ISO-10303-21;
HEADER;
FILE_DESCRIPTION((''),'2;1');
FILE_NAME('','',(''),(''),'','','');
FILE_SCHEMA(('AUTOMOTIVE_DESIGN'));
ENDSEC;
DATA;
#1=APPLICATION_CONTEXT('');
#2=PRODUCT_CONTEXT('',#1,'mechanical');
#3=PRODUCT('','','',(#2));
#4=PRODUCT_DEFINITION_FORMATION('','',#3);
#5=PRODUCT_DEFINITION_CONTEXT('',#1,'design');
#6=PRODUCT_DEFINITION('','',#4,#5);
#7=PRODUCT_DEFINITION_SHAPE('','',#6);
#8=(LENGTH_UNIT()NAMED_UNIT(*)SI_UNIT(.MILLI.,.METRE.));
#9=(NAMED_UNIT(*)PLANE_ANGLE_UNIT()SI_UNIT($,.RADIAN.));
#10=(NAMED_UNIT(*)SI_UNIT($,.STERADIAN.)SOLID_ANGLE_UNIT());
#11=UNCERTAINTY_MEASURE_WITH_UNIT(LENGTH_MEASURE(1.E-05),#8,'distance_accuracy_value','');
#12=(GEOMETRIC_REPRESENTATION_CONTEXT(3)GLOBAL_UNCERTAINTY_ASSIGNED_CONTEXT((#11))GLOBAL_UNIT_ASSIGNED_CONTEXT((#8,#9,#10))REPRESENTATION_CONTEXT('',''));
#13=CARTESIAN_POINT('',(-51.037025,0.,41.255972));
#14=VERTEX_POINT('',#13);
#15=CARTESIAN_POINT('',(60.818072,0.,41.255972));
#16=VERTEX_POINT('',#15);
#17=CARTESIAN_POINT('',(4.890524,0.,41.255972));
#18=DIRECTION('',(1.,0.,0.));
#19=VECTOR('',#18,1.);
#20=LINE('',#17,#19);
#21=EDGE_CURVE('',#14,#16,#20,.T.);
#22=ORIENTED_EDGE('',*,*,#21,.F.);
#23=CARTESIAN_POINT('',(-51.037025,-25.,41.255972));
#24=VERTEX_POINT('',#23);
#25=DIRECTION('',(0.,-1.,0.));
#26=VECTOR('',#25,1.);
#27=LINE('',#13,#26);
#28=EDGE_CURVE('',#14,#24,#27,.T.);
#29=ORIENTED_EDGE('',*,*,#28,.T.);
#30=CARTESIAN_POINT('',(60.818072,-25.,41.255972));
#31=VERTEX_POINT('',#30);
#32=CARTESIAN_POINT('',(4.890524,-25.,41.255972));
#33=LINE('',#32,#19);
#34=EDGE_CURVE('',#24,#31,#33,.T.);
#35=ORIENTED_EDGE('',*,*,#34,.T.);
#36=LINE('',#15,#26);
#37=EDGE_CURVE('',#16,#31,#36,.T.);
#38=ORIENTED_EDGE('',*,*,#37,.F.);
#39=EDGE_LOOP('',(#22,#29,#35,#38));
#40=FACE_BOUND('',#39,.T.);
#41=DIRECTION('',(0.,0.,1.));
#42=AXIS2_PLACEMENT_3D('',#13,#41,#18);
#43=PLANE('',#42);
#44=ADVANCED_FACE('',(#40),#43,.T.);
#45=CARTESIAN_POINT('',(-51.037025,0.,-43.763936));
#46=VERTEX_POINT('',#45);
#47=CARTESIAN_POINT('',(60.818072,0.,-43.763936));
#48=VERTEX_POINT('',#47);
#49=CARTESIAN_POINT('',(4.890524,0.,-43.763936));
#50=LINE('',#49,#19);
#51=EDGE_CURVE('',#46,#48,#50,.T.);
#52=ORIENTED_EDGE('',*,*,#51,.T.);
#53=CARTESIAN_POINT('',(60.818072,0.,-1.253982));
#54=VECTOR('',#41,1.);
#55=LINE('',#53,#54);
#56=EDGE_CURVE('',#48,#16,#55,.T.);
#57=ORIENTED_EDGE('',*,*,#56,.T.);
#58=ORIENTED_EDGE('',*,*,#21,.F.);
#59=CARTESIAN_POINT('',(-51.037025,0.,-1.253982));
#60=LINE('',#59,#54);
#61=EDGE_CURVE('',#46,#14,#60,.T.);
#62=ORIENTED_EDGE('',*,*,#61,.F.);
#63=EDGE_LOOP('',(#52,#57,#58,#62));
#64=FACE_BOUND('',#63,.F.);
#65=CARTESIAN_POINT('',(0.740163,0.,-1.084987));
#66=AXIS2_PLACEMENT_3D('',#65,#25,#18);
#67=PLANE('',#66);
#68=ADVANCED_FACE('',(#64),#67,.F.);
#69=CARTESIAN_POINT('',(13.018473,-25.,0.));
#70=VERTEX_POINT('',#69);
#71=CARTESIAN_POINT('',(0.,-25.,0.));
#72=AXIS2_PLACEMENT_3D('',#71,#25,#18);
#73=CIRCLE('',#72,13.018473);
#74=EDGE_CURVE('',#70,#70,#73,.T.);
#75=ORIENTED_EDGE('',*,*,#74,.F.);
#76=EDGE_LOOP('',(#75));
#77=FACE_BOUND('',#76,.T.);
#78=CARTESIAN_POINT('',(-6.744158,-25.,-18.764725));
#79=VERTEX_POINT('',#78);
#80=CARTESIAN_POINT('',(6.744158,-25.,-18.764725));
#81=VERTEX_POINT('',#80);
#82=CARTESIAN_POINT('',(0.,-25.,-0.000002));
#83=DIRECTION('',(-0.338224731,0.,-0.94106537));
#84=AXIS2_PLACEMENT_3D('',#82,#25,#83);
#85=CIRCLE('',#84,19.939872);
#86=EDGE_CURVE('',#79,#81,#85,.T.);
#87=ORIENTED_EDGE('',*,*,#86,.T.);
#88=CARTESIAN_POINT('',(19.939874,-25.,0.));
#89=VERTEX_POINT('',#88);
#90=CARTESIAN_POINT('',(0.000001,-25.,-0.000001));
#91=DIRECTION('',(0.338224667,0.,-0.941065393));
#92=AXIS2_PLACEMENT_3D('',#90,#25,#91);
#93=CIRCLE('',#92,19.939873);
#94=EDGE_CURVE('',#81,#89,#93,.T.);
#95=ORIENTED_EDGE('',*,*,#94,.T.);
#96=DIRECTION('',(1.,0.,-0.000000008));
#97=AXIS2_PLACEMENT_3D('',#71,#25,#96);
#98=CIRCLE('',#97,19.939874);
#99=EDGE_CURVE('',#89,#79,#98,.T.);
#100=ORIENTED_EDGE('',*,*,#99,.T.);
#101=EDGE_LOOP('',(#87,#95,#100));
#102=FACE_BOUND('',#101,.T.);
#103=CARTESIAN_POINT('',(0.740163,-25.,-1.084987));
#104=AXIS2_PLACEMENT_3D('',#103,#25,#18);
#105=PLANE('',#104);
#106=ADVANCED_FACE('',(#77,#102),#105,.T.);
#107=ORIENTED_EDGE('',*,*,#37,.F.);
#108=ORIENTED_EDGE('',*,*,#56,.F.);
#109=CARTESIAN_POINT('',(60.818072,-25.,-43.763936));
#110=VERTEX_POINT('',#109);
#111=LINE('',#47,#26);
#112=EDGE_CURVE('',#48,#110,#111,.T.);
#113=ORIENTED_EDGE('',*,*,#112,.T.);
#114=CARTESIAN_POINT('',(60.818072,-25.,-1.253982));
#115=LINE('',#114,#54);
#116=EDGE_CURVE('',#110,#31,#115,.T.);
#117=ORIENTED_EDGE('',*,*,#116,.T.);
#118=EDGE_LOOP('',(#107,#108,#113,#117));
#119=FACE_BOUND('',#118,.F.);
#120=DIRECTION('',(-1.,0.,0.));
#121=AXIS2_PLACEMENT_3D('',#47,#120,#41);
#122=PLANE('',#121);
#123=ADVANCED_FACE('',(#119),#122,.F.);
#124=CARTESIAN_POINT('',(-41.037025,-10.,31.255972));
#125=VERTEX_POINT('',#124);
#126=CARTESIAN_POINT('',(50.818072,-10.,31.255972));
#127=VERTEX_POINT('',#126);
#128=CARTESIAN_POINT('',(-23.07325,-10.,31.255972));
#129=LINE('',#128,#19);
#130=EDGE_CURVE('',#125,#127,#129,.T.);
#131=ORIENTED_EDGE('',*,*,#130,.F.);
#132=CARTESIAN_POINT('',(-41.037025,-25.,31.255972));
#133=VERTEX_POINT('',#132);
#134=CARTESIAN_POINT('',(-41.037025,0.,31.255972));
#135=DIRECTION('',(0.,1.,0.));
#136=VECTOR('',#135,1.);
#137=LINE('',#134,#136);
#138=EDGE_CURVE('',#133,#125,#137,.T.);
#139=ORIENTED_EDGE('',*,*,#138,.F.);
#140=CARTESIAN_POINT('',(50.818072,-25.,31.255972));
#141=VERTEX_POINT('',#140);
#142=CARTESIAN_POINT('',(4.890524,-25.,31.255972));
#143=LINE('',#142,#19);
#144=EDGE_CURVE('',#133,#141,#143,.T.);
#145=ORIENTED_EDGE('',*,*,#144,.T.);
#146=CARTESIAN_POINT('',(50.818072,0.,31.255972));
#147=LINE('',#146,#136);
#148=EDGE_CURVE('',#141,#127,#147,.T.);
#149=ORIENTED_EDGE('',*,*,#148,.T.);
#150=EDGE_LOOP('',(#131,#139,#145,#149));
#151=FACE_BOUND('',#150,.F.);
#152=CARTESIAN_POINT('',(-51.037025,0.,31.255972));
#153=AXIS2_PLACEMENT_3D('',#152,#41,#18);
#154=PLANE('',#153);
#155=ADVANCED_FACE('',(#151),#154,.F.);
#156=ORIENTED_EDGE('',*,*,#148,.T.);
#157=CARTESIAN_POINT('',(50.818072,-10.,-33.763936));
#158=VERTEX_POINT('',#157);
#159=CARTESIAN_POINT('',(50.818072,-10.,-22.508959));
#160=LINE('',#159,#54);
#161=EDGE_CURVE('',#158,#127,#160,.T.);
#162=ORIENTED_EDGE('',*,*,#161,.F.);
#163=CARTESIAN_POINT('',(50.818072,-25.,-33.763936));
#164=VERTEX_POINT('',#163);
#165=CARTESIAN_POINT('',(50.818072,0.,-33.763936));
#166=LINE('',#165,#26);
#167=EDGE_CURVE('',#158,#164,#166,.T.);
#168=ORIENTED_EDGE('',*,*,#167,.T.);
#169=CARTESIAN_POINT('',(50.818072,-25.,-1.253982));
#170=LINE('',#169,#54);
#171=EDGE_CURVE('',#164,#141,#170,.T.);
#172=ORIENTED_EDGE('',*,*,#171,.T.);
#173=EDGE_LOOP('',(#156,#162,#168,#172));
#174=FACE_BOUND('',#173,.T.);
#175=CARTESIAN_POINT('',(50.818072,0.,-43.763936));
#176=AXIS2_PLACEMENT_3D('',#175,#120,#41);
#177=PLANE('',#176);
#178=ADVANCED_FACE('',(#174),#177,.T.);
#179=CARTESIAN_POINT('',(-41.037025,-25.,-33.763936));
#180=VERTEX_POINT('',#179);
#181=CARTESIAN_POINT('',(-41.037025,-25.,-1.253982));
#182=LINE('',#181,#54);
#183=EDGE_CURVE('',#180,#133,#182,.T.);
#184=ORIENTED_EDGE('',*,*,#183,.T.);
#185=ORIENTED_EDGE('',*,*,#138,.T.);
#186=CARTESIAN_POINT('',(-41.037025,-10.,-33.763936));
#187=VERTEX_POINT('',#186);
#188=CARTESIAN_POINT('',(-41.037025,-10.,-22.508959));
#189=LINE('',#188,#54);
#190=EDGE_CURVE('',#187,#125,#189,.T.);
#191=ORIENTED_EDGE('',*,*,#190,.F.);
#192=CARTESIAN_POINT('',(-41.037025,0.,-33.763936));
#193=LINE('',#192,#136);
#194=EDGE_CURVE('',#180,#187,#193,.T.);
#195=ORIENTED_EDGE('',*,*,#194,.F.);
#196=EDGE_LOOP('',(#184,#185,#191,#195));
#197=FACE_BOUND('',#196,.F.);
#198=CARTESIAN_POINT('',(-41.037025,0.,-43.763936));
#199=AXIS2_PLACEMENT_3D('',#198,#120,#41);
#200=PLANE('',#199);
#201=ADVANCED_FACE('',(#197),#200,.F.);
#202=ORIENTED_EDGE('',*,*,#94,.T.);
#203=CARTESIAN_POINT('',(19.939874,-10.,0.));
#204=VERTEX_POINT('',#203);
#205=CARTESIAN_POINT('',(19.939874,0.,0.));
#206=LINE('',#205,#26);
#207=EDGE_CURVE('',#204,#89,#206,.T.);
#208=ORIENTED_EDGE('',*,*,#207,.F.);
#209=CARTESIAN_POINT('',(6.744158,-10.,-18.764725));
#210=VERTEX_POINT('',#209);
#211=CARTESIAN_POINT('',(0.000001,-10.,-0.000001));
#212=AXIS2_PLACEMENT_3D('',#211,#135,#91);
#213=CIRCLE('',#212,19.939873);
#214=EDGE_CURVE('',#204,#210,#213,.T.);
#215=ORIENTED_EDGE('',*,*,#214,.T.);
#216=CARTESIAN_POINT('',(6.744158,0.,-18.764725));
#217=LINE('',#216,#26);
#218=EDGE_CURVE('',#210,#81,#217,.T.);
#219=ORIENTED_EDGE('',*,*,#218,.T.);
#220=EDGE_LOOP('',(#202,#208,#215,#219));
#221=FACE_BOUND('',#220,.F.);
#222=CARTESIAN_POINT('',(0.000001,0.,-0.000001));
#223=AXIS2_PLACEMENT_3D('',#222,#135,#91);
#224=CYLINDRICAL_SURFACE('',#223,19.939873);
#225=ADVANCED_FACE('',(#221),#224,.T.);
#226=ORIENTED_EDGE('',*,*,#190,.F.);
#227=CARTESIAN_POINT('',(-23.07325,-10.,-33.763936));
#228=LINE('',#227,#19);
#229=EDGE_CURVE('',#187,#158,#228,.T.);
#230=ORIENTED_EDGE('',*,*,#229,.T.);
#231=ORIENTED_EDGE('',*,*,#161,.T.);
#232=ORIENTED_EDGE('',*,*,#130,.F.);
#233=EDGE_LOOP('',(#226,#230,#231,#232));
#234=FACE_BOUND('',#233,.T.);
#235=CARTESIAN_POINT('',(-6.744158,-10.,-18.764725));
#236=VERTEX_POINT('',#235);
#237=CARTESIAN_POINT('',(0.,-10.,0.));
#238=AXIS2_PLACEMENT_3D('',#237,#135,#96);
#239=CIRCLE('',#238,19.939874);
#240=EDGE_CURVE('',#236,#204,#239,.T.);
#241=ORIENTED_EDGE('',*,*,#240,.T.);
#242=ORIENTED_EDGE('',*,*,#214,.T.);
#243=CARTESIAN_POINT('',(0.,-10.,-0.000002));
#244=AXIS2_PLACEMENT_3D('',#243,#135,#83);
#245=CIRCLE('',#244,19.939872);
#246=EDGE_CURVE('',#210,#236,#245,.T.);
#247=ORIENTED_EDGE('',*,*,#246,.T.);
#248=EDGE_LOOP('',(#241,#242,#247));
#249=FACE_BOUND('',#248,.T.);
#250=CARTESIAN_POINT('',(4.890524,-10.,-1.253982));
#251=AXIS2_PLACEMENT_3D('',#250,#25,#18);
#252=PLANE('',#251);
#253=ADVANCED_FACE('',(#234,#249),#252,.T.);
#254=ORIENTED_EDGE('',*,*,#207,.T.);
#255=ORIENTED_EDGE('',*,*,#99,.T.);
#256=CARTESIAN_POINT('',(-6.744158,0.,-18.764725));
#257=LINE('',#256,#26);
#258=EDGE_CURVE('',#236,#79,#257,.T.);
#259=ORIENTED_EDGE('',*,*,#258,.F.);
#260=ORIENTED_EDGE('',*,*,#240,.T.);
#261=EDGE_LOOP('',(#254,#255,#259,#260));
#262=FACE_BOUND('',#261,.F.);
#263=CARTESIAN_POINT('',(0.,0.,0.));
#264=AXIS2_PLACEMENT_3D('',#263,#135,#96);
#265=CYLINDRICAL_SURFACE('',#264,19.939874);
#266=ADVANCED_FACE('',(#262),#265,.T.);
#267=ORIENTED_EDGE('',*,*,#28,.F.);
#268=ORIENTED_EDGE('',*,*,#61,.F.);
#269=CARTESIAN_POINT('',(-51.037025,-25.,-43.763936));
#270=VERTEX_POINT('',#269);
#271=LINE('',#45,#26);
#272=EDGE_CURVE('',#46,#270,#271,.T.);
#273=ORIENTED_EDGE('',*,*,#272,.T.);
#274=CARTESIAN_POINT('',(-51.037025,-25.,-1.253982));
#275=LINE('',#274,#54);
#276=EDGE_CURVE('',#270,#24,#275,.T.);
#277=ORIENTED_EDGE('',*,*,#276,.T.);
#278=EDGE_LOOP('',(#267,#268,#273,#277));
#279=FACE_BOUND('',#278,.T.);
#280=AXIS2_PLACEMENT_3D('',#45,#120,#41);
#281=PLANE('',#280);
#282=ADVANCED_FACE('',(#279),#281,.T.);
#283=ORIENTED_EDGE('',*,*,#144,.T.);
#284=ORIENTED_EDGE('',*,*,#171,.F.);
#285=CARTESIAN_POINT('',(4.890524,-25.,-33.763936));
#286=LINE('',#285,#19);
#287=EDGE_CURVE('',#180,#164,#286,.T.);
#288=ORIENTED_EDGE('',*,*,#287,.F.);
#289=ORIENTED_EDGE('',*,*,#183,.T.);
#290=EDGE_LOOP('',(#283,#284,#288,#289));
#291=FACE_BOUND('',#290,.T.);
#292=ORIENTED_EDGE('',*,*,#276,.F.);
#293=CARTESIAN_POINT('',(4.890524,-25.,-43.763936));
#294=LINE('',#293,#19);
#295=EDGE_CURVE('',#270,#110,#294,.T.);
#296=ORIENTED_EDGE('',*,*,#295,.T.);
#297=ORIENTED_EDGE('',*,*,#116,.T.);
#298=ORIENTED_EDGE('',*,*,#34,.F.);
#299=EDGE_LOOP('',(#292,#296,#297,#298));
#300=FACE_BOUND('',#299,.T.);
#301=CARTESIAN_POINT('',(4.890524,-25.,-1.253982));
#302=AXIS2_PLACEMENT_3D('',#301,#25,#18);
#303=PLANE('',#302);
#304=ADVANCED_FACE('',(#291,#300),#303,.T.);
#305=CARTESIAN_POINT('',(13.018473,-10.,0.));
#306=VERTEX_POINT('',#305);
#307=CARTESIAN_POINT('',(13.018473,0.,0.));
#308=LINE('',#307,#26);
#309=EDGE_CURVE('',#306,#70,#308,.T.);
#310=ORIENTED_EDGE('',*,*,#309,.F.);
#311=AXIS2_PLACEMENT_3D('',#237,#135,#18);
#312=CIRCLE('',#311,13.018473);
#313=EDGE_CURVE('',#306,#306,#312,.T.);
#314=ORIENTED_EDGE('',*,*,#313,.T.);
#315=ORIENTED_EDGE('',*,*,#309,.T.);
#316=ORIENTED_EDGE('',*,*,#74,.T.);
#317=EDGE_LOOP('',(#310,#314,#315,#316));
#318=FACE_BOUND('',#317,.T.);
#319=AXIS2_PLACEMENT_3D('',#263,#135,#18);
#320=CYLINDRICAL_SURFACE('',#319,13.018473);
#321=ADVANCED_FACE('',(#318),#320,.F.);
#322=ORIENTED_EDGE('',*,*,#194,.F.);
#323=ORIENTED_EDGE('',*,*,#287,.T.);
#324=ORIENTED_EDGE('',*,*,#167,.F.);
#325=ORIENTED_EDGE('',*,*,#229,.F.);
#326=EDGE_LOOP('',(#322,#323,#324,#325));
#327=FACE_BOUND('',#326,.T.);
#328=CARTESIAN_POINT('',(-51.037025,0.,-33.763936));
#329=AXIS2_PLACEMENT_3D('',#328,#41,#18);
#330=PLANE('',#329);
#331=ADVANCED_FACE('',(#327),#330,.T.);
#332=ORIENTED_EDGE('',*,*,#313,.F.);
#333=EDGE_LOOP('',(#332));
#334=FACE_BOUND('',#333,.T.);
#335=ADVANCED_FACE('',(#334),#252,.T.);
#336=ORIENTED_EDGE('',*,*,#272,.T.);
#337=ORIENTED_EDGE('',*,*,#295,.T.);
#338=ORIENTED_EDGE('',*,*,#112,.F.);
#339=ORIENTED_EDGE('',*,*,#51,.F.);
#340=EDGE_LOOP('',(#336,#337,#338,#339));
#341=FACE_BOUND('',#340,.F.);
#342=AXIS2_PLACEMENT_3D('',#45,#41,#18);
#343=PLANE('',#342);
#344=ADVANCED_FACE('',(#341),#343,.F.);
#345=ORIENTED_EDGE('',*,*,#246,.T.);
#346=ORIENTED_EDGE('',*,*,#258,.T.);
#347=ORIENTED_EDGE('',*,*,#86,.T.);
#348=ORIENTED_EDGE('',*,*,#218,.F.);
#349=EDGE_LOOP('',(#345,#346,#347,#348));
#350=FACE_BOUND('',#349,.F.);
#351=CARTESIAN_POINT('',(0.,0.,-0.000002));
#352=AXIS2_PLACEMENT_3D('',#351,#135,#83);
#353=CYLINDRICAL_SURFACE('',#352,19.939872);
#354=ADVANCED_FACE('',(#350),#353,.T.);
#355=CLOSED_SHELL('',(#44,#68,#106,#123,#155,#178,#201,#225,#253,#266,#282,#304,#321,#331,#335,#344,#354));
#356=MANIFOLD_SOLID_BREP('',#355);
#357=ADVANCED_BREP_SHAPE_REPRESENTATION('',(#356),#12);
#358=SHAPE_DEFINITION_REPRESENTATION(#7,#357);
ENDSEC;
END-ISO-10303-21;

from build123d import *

# Parameters (mm, degrees)
F0_W     = 111.855097
F0_H     = 85.019909
F1_DEPTH = 25
F2_T     = -10
F3_R     = 13.018473
F4_DEPTH = 25


with BuildPart() as f1:
    # F0 (on Front) → F1 (new body)
    with BuildSketch(Plane.XZ):
        with Locations((4.890524, -1.253982)):
            Rectangle(F0_W, F0_H)
    extrude(amount=F1_DEPTH)

    # F2
    f2_openings = [f1.faces().sort_by_distance(p)[0] for p in [
        (4.890524, -25, -1.253981),
    ]]
    offset(amount=F2_T, openings=f2_openings)

    # F3 (on Front) → F4 (join)
    with BuildSketch(Plane.XZ):
        with BuildLine():
            ThreePointArc((6.744158, -18.764725), (16.310675, -11.469981), (19.939874, 0))
            ThreePointArc((19.939874, 0), (-11.469981, 16.310675), (-6.744158, -18.764725))
            ThreePointArc((-6.744158, -18.764725), (0, -19.939874), (6.744158, -18.764725))
        make_face()
        Circle(F3_R, mode=Mode.SUBTRACT)
    extrude(amount=F4_DEPTH)


solid = f1.part
